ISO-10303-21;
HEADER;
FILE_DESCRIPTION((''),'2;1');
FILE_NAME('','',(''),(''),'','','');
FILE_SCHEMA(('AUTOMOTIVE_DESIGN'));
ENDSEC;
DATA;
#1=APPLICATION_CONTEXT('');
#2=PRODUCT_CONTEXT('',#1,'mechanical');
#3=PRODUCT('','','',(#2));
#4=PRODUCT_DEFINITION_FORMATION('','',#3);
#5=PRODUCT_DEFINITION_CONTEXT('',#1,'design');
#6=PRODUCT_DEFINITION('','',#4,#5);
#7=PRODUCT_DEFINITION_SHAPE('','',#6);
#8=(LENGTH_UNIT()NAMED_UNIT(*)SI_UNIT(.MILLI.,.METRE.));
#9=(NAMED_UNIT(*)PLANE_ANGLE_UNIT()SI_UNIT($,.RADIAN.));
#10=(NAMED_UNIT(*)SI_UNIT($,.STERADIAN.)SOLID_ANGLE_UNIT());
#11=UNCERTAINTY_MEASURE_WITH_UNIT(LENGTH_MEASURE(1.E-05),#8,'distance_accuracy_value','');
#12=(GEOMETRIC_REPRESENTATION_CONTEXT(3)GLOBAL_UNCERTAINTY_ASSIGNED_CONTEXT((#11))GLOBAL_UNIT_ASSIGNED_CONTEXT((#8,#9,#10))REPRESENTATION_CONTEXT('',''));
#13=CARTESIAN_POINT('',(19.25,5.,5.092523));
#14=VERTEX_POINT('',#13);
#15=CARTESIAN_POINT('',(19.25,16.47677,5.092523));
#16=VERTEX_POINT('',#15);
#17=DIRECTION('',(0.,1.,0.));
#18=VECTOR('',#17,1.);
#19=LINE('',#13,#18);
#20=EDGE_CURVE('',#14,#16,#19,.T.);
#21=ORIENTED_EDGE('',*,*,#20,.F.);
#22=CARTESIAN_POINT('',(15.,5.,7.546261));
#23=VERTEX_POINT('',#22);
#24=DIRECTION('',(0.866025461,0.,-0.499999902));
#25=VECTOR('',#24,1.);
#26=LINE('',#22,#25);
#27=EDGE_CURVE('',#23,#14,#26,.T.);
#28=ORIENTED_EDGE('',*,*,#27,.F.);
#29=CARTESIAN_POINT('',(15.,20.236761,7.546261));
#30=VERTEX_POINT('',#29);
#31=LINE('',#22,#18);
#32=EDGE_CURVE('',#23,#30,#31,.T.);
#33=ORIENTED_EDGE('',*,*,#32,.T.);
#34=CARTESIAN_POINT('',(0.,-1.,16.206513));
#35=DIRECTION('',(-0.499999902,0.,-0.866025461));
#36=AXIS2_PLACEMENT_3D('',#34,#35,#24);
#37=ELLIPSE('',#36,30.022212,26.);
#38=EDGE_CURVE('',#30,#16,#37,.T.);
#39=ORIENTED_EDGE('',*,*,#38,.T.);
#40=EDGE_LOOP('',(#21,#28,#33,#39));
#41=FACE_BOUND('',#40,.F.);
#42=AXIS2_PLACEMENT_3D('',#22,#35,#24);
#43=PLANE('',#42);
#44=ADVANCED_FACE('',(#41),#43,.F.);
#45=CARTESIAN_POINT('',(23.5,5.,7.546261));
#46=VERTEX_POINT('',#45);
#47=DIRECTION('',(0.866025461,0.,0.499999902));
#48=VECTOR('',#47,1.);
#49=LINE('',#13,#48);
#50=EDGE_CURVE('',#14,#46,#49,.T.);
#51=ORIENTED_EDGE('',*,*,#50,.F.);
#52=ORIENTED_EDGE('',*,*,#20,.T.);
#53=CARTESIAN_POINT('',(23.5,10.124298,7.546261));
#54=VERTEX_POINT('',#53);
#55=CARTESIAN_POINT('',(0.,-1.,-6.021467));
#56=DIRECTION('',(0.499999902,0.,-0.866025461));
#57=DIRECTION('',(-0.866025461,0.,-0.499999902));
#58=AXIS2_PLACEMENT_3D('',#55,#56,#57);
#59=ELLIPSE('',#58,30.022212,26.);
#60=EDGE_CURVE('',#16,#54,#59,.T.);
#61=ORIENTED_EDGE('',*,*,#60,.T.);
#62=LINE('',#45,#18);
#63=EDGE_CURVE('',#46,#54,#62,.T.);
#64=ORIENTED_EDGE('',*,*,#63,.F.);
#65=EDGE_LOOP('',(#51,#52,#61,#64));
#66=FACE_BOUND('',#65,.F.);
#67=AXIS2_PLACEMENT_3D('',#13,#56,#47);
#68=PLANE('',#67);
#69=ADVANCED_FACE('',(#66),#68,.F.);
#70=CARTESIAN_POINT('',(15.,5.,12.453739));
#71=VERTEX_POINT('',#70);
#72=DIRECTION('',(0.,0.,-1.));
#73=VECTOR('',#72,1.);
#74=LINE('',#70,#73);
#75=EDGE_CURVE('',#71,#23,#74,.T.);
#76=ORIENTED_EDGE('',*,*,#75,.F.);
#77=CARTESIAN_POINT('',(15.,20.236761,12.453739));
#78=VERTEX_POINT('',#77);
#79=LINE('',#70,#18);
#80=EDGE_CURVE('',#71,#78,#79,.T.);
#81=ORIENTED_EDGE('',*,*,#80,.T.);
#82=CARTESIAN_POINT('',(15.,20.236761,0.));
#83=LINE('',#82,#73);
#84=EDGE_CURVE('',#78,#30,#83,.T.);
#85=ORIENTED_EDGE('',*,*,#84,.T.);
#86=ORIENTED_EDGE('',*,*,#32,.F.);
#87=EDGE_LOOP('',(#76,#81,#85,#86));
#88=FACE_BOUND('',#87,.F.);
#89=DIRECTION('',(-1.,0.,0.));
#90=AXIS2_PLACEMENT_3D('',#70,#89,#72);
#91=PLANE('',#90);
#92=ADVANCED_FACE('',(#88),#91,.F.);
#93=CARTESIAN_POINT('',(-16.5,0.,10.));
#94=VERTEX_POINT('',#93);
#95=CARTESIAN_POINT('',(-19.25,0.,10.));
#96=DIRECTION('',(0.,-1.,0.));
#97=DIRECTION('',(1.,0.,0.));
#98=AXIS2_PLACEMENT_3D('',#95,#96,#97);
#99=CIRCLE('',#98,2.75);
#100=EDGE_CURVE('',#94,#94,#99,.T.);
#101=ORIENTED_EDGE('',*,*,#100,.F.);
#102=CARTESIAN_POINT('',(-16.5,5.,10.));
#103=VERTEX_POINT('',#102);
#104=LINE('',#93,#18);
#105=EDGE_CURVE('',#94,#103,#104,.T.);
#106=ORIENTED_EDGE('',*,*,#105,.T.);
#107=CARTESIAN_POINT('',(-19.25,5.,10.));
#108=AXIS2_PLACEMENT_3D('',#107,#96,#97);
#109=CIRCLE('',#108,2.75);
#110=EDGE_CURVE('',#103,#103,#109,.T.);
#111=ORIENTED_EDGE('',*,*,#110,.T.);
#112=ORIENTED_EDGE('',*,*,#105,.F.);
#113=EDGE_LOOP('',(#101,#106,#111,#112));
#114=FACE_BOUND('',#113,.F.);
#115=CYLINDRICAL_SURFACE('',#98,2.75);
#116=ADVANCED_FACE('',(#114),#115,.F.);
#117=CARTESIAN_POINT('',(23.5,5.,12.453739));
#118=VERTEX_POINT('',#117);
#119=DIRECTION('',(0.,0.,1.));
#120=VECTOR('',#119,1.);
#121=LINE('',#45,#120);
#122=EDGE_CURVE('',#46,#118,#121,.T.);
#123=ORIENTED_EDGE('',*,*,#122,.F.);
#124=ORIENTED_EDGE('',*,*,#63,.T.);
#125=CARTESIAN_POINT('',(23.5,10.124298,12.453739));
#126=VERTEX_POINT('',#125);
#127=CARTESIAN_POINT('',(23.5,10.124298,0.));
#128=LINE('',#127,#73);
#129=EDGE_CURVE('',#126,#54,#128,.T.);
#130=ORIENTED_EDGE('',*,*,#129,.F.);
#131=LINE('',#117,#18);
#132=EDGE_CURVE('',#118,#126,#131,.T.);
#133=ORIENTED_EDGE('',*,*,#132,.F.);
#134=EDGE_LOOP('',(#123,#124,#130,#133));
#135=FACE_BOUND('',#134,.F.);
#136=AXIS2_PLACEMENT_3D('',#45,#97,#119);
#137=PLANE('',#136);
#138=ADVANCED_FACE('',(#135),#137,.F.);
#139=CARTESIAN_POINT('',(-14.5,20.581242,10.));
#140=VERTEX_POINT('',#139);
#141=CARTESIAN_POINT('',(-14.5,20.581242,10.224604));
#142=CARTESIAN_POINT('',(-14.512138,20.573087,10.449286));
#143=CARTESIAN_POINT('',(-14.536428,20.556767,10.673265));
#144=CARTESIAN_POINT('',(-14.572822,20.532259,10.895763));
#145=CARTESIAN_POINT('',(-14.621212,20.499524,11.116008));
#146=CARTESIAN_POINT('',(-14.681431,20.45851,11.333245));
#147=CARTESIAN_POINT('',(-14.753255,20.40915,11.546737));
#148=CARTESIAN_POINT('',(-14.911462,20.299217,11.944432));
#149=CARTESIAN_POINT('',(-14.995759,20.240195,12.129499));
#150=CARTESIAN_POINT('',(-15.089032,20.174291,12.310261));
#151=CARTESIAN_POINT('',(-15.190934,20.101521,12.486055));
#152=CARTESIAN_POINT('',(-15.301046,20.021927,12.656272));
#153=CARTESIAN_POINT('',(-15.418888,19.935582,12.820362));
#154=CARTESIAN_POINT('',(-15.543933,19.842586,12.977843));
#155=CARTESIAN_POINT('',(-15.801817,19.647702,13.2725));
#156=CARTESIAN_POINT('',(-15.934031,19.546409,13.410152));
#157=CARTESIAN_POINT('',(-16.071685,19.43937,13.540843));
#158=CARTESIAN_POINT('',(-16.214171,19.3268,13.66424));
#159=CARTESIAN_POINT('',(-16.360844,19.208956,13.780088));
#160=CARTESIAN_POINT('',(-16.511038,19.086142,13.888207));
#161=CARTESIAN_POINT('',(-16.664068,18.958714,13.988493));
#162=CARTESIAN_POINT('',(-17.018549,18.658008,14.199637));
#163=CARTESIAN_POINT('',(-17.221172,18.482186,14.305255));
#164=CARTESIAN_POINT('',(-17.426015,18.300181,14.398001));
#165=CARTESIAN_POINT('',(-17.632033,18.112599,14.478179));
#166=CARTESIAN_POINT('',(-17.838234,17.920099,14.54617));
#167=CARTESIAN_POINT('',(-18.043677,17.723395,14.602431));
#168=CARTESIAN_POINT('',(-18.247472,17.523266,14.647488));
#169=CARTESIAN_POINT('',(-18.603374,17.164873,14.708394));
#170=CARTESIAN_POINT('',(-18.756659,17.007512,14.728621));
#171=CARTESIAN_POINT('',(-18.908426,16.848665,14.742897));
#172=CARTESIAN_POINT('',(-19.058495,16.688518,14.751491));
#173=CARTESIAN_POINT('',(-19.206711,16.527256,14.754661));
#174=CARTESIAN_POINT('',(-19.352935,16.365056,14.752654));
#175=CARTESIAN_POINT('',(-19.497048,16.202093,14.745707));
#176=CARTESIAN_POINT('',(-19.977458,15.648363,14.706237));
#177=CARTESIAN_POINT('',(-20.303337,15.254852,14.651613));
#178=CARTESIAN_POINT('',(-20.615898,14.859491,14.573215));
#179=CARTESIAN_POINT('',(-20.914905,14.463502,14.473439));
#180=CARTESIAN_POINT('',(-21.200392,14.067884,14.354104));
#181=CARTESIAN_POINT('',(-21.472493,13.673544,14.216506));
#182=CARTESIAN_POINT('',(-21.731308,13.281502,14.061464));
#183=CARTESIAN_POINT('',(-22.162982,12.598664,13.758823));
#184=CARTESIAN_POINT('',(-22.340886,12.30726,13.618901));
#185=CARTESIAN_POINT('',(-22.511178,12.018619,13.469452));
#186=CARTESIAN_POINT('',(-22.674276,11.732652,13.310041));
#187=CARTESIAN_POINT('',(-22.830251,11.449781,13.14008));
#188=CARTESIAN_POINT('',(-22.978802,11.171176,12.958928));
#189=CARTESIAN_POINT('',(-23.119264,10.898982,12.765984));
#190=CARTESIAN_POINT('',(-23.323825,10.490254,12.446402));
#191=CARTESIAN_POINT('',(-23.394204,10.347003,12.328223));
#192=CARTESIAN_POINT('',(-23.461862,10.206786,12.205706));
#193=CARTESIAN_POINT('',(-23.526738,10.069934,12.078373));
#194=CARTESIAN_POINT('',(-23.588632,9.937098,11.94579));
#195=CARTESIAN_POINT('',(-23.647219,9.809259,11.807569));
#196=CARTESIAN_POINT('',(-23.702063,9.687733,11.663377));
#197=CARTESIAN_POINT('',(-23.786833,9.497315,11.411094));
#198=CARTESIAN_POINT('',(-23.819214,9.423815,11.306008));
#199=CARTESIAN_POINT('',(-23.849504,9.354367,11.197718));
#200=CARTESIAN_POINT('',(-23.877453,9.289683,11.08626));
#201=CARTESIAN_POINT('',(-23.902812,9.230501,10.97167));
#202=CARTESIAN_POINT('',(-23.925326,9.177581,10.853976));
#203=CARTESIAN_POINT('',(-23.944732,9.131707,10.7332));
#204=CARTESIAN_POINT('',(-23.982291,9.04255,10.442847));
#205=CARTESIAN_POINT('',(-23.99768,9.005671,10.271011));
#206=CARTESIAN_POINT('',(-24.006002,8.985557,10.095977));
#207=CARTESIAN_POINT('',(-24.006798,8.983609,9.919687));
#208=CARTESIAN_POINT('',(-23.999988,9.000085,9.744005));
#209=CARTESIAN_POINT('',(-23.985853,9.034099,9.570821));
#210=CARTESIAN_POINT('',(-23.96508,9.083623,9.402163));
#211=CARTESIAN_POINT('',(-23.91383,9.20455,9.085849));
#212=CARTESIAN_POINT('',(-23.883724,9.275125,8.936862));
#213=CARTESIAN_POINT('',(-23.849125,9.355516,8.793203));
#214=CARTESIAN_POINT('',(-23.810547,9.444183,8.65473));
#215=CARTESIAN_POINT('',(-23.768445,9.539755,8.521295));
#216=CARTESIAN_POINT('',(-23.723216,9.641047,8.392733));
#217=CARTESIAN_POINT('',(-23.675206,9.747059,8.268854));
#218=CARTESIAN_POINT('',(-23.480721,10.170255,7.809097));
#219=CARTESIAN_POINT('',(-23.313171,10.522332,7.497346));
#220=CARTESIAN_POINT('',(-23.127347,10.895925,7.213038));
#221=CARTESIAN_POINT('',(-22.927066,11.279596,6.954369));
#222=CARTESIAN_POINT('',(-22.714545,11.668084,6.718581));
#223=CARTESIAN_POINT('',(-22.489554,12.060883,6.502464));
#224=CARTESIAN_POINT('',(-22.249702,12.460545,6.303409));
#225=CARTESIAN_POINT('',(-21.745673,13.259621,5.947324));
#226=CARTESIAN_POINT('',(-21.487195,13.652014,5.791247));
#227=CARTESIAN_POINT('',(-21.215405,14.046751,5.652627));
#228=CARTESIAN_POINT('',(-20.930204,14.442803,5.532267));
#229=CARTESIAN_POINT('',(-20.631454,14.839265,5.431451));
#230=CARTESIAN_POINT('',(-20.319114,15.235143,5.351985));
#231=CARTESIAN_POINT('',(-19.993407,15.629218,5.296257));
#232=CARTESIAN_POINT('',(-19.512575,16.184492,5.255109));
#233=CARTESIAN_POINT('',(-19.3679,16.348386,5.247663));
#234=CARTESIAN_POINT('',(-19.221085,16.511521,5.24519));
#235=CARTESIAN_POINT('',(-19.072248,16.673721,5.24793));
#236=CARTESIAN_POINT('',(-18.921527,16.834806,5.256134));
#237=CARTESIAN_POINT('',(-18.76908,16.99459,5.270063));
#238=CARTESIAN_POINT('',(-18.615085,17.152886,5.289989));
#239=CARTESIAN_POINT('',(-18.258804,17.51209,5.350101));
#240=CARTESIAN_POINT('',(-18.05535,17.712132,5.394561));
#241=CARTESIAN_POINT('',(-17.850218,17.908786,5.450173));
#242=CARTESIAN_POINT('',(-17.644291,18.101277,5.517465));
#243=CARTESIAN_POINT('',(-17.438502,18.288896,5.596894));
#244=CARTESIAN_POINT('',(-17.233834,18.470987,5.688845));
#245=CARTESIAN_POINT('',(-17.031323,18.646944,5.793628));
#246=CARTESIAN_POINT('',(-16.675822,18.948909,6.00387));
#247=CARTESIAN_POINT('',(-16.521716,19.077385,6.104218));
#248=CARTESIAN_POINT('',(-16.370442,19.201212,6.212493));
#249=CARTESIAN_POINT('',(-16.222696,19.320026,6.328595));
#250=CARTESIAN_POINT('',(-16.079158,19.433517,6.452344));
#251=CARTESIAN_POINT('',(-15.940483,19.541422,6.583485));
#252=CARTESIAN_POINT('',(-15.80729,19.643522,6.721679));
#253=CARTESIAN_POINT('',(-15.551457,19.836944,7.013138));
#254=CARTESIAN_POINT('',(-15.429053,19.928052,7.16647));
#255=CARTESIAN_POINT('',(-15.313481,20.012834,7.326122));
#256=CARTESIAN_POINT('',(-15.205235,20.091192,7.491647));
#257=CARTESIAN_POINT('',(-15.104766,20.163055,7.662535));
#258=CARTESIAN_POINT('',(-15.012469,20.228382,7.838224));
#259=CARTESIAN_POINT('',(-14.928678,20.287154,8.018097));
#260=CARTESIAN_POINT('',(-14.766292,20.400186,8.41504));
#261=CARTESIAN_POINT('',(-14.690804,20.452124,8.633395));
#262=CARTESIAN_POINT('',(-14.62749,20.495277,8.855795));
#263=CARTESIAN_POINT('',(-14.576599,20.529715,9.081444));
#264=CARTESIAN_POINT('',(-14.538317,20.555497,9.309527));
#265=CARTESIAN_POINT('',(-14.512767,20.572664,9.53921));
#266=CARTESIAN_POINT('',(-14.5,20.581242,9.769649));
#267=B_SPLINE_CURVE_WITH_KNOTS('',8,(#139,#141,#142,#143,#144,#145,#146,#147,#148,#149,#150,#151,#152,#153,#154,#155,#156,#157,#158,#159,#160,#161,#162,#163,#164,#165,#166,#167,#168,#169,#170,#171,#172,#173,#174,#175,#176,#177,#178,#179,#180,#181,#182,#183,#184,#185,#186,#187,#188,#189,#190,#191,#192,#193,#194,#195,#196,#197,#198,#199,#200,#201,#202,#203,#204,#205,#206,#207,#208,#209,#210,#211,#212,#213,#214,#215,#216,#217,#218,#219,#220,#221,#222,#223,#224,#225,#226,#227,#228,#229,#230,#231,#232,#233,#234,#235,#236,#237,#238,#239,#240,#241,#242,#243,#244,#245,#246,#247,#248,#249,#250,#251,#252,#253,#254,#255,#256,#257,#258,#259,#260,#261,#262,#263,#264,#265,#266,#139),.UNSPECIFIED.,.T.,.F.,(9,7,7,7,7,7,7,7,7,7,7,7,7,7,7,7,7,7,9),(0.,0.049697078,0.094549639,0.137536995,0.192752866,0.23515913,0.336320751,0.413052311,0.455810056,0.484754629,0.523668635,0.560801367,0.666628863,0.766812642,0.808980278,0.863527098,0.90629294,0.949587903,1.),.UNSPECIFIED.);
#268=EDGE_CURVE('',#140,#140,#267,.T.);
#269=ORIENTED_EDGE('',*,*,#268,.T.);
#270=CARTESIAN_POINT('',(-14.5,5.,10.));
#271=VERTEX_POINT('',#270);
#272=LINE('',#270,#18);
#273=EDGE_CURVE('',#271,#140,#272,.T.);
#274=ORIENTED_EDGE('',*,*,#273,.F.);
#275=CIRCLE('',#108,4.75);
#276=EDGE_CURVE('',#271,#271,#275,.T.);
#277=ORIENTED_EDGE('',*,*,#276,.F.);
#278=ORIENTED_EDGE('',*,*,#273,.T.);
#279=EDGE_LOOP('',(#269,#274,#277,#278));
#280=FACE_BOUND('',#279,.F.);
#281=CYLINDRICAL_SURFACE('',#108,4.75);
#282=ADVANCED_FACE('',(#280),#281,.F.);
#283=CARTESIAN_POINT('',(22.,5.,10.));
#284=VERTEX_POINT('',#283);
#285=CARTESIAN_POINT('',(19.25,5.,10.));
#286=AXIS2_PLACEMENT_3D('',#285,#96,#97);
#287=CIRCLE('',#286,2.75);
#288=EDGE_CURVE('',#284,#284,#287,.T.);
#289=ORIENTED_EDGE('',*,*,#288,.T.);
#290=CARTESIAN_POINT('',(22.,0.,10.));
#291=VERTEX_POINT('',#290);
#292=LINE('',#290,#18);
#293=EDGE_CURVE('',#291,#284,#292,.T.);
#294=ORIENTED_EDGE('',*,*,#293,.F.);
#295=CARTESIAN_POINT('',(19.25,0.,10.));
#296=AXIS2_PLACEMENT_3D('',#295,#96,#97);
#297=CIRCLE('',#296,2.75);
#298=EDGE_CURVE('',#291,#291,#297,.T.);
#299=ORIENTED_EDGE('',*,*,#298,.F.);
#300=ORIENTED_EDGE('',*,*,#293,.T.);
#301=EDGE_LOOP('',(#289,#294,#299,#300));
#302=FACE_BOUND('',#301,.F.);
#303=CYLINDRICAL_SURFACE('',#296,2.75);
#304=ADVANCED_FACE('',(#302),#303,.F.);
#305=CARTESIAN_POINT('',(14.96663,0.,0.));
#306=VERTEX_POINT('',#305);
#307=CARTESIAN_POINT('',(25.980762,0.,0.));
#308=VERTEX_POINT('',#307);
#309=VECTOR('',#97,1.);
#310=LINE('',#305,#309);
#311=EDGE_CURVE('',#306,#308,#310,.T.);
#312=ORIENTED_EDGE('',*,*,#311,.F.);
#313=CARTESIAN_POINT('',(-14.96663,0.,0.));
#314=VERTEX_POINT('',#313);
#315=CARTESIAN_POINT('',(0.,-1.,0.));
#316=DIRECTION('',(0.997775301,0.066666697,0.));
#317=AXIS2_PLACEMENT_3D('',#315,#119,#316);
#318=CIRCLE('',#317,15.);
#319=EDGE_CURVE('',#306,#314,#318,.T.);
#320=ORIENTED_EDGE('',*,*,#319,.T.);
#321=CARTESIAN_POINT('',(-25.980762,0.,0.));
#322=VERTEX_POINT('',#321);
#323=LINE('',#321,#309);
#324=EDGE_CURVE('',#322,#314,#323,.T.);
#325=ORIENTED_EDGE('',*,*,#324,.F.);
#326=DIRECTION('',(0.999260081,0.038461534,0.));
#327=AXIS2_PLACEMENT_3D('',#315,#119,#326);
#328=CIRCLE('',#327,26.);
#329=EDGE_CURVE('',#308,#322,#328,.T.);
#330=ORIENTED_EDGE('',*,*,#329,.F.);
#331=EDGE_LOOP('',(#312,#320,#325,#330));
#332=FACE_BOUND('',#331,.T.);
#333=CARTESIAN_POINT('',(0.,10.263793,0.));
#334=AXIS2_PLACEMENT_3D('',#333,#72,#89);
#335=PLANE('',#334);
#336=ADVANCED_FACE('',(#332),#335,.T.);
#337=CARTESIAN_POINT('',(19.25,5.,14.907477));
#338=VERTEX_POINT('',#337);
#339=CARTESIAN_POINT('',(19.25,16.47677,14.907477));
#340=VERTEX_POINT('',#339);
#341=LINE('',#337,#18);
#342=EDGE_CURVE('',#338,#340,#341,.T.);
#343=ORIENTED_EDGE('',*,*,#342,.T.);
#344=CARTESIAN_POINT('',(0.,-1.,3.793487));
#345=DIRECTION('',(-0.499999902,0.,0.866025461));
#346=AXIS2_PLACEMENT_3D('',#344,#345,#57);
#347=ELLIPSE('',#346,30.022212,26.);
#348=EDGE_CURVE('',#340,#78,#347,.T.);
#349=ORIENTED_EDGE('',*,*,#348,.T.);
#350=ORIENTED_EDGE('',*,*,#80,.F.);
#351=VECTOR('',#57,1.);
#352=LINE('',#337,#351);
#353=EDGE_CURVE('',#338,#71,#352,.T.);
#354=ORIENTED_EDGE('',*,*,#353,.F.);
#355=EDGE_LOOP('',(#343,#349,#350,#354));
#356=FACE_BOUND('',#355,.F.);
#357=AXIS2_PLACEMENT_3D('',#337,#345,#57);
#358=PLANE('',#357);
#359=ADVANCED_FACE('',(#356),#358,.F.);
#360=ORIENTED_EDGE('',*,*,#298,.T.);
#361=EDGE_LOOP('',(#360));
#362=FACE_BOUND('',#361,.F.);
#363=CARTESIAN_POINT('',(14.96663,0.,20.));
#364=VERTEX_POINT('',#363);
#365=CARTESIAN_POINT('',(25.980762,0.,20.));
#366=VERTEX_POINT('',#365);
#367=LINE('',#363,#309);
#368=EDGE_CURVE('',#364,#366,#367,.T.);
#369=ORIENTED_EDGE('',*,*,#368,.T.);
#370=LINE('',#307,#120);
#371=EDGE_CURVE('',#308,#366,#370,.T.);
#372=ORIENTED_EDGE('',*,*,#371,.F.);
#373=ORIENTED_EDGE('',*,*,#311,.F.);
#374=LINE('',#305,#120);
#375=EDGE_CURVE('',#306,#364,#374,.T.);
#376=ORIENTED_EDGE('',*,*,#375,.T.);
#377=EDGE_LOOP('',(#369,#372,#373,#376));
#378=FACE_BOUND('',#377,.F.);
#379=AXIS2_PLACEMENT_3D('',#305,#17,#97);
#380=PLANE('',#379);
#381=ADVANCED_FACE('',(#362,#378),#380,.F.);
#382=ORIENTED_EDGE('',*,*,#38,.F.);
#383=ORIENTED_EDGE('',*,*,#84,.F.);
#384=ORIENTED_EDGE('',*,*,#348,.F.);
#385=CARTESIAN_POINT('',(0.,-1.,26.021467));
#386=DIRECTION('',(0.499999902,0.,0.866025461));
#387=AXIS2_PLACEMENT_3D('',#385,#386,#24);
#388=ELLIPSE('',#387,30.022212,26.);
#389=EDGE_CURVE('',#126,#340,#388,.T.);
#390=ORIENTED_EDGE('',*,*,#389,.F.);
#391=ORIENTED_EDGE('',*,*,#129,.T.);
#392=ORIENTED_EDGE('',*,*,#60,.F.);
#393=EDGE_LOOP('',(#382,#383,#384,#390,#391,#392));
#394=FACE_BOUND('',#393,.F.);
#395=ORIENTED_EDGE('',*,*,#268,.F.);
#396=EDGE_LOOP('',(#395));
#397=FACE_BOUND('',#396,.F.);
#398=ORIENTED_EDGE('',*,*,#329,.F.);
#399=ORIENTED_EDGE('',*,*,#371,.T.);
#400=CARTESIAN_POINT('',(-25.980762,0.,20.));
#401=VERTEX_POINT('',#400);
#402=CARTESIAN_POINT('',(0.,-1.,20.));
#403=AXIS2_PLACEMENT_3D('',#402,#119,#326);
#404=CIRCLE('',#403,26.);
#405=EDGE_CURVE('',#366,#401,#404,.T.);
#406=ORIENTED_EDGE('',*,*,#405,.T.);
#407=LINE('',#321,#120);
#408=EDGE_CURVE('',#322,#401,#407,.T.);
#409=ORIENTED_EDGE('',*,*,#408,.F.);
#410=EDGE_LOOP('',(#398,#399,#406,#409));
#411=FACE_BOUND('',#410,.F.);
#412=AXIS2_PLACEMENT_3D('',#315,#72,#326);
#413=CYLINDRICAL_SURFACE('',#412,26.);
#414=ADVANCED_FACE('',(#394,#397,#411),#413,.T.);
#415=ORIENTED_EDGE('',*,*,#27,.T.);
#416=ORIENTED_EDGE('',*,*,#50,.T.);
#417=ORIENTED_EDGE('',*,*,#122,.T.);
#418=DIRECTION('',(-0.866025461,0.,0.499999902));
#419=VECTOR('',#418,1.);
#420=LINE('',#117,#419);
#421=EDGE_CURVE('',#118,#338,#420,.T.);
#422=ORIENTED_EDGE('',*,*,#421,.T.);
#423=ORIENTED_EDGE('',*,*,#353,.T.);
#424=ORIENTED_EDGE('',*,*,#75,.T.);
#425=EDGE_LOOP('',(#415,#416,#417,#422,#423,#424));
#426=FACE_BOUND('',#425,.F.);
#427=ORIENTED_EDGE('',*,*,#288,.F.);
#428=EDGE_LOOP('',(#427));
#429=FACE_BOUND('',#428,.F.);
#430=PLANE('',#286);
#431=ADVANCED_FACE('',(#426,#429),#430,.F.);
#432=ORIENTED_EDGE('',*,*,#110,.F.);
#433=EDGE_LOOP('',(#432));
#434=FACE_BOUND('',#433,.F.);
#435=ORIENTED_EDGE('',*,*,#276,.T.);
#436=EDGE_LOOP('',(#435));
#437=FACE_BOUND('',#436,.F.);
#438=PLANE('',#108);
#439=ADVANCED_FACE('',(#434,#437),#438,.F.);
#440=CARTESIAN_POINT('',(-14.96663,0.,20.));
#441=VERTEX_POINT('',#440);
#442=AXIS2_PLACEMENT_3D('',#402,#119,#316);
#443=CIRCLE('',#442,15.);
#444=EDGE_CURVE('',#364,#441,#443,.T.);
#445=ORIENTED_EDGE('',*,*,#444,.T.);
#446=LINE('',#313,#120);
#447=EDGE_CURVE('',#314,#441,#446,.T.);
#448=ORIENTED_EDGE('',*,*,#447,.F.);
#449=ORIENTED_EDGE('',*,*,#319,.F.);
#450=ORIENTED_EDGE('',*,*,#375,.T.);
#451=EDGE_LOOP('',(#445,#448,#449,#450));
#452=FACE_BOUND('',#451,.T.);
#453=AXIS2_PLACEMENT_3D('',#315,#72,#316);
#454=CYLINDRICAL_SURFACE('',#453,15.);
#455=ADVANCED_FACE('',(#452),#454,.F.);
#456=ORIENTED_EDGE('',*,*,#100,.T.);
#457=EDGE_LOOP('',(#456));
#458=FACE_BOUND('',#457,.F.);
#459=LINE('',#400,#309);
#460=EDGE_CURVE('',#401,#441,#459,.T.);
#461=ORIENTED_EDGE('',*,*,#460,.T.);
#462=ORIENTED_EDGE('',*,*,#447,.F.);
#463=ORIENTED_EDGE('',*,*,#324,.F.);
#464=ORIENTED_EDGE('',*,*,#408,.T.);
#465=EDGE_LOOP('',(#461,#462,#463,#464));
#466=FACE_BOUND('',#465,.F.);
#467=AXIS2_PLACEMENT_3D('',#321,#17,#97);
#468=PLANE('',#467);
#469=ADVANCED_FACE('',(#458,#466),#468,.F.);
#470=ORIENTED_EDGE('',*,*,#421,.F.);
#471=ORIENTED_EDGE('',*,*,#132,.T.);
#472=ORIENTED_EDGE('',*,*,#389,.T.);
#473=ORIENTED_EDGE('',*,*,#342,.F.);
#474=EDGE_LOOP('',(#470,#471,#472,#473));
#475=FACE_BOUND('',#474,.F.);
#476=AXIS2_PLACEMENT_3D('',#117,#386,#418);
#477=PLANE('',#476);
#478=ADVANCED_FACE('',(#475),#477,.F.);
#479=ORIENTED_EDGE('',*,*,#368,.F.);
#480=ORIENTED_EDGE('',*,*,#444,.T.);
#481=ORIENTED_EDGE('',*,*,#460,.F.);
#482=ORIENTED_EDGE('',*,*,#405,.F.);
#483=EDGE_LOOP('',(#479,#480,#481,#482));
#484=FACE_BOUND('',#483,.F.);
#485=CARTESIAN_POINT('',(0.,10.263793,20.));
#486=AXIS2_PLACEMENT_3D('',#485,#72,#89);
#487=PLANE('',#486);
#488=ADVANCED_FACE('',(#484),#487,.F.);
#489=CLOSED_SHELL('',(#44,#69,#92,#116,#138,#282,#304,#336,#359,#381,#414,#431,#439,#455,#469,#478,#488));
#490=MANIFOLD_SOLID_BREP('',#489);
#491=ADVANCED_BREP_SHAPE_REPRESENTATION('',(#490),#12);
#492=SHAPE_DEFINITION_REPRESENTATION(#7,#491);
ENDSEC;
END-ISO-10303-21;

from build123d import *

# Parameters (mm, degrees)
PAD_DEPTH       = 20
SKETCH001_R     = 2.75
POCKET_DEPTH    = 25.001
SKETCH002_R     = 4.75
POCKET001_DEPTH = 20.001


with BuildPart() as part:
    # Sketch → Pad (new body)
    with BuildSketch(Plane.XY):
        with BuildLine():
            ThreePointArc((14.96663, 0), (0, 14), (-14.96663, 0))
            Line((-25.980762, 0), (-14.96663, 0))
            ThreePointArc((25.980762, 0), (0, 25), (-25.980762, 0))
            Line((14.96663, 0), (25.980762, 0))
        make_face()
    extrude(amount=PAD_DEPTH)

    # Sketch001 (on Face2 of Pad) → Pocket (cut, through all)
    with BuildSketch(Plane.XZ):
        with Locations((-19.25, 10)):
            Circle(SKETCH001_R)
        with Locations((19.25, 10)):
            Circle(SKETCH001_R)
    extrude(amount=-POCKET_DEPTH, mode=Mode.SUBTRACT)

    # Sketch002 (on DatumPlane) → Pocket001 (cut, through all)
    with BuildSketch(Plane.XZ.offset(-5)):
        with Locations((-19.25, 10)):
            Circle(SKETCH002_R)
        Polygon((19.25, 5.092523), (23.5, 7.546261), (23.5, 12.453739), (19.25, 14.907477), (15, 12.453739), (15, 7.546261), align=None)
    extrude(amount=-POCKET001_DEPTH, mode=Mode.SUBTRACT)


solid = part.part
